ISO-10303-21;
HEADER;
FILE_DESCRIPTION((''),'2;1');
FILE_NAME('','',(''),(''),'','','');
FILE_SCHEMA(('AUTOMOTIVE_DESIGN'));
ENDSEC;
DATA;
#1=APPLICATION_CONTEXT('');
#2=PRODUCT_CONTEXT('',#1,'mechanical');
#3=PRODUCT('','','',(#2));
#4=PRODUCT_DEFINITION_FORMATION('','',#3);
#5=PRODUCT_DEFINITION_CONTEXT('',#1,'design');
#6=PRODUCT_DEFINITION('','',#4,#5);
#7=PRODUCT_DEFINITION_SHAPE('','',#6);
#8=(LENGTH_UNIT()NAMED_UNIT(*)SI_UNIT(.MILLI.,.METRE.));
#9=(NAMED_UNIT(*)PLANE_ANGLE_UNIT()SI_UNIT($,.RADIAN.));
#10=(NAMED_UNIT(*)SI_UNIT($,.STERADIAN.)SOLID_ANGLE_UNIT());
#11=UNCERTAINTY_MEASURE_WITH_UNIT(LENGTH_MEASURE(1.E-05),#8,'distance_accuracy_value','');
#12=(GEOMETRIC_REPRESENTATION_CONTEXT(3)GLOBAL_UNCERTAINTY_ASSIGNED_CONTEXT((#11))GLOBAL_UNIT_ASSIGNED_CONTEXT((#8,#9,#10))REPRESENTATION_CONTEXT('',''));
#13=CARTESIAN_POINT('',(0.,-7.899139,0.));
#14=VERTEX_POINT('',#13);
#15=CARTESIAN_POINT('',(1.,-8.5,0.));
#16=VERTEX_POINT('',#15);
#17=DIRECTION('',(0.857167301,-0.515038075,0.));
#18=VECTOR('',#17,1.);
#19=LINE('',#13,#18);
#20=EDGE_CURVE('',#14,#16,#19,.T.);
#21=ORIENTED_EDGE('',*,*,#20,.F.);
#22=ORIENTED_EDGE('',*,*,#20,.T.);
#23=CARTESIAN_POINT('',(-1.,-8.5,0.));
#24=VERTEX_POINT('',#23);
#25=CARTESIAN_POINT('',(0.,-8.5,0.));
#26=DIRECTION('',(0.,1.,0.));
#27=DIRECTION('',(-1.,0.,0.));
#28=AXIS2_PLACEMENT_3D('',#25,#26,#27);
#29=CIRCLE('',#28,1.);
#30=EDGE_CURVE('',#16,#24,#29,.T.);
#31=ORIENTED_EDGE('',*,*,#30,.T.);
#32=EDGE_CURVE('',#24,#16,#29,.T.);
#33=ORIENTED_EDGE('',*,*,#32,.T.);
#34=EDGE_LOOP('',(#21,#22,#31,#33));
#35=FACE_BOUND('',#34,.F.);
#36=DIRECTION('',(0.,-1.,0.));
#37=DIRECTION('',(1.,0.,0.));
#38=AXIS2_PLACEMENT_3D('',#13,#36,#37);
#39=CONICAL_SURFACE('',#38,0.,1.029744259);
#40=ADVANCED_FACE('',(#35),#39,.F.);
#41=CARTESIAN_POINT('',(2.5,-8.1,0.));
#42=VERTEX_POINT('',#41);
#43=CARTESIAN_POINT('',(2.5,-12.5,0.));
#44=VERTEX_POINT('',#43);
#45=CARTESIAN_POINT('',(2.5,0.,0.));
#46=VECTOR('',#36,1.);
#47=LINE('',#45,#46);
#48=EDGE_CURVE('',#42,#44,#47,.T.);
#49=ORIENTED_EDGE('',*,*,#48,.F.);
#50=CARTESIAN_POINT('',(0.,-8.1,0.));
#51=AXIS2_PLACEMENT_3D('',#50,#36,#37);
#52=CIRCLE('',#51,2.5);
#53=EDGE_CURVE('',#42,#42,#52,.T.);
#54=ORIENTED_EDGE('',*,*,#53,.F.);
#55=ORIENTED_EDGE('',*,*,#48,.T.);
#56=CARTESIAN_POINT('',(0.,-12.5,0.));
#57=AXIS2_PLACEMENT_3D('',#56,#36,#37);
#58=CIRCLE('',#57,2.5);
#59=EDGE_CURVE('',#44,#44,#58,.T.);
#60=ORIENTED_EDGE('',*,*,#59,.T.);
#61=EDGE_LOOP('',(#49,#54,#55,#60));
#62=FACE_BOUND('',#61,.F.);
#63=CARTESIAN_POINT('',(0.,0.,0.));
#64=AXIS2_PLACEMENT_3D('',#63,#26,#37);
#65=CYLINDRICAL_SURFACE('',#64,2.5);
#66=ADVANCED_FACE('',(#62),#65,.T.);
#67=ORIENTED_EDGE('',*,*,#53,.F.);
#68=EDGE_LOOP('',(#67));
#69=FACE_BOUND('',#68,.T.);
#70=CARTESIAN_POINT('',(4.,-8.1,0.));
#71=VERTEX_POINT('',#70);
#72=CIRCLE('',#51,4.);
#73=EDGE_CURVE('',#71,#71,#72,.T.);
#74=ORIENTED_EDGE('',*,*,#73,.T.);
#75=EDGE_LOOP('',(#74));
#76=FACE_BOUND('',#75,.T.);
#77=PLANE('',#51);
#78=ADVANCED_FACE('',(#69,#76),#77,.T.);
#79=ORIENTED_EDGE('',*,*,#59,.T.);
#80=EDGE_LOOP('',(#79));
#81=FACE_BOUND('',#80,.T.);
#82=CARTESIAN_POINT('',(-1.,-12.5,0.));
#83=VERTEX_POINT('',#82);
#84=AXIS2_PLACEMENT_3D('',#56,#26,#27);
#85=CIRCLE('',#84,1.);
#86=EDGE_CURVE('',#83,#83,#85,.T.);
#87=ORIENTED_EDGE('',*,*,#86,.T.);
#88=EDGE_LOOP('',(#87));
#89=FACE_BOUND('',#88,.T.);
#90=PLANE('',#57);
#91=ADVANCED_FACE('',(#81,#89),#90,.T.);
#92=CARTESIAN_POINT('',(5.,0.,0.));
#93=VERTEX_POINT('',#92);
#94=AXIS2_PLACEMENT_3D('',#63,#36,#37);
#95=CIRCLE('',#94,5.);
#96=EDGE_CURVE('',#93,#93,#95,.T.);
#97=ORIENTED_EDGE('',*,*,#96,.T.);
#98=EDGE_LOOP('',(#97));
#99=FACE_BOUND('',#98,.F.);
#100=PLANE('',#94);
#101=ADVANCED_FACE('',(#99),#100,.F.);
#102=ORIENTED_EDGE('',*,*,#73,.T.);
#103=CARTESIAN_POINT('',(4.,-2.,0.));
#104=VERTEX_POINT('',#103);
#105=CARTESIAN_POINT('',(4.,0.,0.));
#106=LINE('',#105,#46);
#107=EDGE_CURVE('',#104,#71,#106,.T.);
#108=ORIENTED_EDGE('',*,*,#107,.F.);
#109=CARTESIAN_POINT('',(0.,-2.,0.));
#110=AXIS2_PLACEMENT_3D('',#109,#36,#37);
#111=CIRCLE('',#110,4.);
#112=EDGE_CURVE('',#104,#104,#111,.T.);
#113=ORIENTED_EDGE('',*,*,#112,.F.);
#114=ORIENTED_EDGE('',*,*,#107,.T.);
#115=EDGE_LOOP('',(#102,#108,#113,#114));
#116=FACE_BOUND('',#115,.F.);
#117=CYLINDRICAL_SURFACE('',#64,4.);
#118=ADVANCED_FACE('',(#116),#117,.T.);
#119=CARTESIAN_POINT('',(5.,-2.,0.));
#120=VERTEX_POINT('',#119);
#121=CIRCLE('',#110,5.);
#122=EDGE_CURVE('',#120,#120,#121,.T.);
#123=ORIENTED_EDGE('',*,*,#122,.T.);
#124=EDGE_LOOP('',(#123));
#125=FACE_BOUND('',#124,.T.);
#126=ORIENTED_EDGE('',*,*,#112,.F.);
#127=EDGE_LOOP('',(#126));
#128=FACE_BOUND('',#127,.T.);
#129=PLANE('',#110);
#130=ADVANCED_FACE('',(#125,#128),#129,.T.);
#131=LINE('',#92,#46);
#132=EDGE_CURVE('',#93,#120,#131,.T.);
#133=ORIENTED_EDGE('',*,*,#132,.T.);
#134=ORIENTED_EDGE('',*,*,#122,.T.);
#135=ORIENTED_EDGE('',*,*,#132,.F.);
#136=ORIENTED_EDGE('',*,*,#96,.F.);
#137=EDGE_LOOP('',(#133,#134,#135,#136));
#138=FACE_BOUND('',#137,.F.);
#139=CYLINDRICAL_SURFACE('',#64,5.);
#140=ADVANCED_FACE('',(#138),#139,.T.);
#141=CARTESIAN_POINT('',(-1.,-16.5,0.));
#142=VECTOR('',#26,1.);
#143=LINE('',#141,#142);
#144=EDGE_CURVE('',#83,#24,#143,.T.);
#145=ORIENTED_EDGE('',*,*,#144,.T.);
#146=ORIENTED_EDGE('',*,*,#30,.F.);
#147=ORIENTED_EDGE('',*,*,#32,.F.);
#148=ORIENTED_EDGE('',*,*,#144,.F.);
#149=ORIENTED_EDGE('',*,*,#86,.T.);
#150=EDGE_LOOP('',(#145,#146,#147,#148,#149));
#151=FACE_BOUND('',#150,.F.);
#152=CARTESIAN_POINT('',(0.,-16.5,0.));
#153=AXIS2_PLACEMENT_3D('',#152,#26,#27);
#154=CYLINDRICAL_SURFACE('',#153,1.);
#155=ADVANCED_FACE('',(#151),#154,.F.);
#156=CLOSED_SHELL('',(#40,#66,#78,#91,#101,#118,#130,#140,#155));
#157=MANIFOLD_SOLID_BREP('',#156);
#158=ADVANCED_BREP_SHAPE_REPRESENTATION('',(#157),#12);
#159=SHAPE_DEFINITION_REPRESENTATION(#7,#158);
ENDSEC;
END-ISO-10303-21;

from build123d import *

# Parameters (mm, degrees)
F0_R     = 5
F0_R_2   = 4
F1_DEPTH = 2
F0_R_3   = 2.5
F2_DEPTH = 8.1
F0_R_4   = 1
F3_DEPTH = 12.5
F4_DEPTH = 12.5
F6_D     = 2
F6_DEPTH = 4
F6_TIP   = 0.600860619


with BuildPart() as f1:
    # F0 (on Front) → F1 (new body)
    with BuildSketch(Plane.XZ):
        Circle(F0_R)
        Circle(F0_R_2, mode=Mode.SUBTRACT)
    extrude(amount=F1_DEPTH)

    # F0 (on Front) → F2 (join)
    with BuildSketch(Plane.XZ):
        Circle(F0_R_2)
        Circle(F0_R_3, mode=Mode.SUBTRACT)
    extrude(amount=F2_DEPTH)

    # F0 (on Front) → F3 (join)
    with BuildSketch(Plane.XZ):
        Circle(F0_R_3)
        Circle(F0_R_4, mode=Mode.SUBTRACT)
    extrude(amount=F3_DEPTH)

    # F0 (on Front) → F4 (join)
    with BuildSketch(Plane.XZ):
        Circle(F0_R_4)
    extrude(amount=F4_DEPTH)

    # F6
    with Locations(Plane.XZ.offset(12.5)):
        with Locations((0, 0)):
            Hole(F6_D / 2, depth=F6_DEPTH)
            with Locations((0, 0, -(F6_DEPTH + F6_TIP / 2))):  # 118° drill point
                Cone(0, F6_D / 2, F6_TIP, mode=Mode.SUBTRACT)


solid = f1.part
